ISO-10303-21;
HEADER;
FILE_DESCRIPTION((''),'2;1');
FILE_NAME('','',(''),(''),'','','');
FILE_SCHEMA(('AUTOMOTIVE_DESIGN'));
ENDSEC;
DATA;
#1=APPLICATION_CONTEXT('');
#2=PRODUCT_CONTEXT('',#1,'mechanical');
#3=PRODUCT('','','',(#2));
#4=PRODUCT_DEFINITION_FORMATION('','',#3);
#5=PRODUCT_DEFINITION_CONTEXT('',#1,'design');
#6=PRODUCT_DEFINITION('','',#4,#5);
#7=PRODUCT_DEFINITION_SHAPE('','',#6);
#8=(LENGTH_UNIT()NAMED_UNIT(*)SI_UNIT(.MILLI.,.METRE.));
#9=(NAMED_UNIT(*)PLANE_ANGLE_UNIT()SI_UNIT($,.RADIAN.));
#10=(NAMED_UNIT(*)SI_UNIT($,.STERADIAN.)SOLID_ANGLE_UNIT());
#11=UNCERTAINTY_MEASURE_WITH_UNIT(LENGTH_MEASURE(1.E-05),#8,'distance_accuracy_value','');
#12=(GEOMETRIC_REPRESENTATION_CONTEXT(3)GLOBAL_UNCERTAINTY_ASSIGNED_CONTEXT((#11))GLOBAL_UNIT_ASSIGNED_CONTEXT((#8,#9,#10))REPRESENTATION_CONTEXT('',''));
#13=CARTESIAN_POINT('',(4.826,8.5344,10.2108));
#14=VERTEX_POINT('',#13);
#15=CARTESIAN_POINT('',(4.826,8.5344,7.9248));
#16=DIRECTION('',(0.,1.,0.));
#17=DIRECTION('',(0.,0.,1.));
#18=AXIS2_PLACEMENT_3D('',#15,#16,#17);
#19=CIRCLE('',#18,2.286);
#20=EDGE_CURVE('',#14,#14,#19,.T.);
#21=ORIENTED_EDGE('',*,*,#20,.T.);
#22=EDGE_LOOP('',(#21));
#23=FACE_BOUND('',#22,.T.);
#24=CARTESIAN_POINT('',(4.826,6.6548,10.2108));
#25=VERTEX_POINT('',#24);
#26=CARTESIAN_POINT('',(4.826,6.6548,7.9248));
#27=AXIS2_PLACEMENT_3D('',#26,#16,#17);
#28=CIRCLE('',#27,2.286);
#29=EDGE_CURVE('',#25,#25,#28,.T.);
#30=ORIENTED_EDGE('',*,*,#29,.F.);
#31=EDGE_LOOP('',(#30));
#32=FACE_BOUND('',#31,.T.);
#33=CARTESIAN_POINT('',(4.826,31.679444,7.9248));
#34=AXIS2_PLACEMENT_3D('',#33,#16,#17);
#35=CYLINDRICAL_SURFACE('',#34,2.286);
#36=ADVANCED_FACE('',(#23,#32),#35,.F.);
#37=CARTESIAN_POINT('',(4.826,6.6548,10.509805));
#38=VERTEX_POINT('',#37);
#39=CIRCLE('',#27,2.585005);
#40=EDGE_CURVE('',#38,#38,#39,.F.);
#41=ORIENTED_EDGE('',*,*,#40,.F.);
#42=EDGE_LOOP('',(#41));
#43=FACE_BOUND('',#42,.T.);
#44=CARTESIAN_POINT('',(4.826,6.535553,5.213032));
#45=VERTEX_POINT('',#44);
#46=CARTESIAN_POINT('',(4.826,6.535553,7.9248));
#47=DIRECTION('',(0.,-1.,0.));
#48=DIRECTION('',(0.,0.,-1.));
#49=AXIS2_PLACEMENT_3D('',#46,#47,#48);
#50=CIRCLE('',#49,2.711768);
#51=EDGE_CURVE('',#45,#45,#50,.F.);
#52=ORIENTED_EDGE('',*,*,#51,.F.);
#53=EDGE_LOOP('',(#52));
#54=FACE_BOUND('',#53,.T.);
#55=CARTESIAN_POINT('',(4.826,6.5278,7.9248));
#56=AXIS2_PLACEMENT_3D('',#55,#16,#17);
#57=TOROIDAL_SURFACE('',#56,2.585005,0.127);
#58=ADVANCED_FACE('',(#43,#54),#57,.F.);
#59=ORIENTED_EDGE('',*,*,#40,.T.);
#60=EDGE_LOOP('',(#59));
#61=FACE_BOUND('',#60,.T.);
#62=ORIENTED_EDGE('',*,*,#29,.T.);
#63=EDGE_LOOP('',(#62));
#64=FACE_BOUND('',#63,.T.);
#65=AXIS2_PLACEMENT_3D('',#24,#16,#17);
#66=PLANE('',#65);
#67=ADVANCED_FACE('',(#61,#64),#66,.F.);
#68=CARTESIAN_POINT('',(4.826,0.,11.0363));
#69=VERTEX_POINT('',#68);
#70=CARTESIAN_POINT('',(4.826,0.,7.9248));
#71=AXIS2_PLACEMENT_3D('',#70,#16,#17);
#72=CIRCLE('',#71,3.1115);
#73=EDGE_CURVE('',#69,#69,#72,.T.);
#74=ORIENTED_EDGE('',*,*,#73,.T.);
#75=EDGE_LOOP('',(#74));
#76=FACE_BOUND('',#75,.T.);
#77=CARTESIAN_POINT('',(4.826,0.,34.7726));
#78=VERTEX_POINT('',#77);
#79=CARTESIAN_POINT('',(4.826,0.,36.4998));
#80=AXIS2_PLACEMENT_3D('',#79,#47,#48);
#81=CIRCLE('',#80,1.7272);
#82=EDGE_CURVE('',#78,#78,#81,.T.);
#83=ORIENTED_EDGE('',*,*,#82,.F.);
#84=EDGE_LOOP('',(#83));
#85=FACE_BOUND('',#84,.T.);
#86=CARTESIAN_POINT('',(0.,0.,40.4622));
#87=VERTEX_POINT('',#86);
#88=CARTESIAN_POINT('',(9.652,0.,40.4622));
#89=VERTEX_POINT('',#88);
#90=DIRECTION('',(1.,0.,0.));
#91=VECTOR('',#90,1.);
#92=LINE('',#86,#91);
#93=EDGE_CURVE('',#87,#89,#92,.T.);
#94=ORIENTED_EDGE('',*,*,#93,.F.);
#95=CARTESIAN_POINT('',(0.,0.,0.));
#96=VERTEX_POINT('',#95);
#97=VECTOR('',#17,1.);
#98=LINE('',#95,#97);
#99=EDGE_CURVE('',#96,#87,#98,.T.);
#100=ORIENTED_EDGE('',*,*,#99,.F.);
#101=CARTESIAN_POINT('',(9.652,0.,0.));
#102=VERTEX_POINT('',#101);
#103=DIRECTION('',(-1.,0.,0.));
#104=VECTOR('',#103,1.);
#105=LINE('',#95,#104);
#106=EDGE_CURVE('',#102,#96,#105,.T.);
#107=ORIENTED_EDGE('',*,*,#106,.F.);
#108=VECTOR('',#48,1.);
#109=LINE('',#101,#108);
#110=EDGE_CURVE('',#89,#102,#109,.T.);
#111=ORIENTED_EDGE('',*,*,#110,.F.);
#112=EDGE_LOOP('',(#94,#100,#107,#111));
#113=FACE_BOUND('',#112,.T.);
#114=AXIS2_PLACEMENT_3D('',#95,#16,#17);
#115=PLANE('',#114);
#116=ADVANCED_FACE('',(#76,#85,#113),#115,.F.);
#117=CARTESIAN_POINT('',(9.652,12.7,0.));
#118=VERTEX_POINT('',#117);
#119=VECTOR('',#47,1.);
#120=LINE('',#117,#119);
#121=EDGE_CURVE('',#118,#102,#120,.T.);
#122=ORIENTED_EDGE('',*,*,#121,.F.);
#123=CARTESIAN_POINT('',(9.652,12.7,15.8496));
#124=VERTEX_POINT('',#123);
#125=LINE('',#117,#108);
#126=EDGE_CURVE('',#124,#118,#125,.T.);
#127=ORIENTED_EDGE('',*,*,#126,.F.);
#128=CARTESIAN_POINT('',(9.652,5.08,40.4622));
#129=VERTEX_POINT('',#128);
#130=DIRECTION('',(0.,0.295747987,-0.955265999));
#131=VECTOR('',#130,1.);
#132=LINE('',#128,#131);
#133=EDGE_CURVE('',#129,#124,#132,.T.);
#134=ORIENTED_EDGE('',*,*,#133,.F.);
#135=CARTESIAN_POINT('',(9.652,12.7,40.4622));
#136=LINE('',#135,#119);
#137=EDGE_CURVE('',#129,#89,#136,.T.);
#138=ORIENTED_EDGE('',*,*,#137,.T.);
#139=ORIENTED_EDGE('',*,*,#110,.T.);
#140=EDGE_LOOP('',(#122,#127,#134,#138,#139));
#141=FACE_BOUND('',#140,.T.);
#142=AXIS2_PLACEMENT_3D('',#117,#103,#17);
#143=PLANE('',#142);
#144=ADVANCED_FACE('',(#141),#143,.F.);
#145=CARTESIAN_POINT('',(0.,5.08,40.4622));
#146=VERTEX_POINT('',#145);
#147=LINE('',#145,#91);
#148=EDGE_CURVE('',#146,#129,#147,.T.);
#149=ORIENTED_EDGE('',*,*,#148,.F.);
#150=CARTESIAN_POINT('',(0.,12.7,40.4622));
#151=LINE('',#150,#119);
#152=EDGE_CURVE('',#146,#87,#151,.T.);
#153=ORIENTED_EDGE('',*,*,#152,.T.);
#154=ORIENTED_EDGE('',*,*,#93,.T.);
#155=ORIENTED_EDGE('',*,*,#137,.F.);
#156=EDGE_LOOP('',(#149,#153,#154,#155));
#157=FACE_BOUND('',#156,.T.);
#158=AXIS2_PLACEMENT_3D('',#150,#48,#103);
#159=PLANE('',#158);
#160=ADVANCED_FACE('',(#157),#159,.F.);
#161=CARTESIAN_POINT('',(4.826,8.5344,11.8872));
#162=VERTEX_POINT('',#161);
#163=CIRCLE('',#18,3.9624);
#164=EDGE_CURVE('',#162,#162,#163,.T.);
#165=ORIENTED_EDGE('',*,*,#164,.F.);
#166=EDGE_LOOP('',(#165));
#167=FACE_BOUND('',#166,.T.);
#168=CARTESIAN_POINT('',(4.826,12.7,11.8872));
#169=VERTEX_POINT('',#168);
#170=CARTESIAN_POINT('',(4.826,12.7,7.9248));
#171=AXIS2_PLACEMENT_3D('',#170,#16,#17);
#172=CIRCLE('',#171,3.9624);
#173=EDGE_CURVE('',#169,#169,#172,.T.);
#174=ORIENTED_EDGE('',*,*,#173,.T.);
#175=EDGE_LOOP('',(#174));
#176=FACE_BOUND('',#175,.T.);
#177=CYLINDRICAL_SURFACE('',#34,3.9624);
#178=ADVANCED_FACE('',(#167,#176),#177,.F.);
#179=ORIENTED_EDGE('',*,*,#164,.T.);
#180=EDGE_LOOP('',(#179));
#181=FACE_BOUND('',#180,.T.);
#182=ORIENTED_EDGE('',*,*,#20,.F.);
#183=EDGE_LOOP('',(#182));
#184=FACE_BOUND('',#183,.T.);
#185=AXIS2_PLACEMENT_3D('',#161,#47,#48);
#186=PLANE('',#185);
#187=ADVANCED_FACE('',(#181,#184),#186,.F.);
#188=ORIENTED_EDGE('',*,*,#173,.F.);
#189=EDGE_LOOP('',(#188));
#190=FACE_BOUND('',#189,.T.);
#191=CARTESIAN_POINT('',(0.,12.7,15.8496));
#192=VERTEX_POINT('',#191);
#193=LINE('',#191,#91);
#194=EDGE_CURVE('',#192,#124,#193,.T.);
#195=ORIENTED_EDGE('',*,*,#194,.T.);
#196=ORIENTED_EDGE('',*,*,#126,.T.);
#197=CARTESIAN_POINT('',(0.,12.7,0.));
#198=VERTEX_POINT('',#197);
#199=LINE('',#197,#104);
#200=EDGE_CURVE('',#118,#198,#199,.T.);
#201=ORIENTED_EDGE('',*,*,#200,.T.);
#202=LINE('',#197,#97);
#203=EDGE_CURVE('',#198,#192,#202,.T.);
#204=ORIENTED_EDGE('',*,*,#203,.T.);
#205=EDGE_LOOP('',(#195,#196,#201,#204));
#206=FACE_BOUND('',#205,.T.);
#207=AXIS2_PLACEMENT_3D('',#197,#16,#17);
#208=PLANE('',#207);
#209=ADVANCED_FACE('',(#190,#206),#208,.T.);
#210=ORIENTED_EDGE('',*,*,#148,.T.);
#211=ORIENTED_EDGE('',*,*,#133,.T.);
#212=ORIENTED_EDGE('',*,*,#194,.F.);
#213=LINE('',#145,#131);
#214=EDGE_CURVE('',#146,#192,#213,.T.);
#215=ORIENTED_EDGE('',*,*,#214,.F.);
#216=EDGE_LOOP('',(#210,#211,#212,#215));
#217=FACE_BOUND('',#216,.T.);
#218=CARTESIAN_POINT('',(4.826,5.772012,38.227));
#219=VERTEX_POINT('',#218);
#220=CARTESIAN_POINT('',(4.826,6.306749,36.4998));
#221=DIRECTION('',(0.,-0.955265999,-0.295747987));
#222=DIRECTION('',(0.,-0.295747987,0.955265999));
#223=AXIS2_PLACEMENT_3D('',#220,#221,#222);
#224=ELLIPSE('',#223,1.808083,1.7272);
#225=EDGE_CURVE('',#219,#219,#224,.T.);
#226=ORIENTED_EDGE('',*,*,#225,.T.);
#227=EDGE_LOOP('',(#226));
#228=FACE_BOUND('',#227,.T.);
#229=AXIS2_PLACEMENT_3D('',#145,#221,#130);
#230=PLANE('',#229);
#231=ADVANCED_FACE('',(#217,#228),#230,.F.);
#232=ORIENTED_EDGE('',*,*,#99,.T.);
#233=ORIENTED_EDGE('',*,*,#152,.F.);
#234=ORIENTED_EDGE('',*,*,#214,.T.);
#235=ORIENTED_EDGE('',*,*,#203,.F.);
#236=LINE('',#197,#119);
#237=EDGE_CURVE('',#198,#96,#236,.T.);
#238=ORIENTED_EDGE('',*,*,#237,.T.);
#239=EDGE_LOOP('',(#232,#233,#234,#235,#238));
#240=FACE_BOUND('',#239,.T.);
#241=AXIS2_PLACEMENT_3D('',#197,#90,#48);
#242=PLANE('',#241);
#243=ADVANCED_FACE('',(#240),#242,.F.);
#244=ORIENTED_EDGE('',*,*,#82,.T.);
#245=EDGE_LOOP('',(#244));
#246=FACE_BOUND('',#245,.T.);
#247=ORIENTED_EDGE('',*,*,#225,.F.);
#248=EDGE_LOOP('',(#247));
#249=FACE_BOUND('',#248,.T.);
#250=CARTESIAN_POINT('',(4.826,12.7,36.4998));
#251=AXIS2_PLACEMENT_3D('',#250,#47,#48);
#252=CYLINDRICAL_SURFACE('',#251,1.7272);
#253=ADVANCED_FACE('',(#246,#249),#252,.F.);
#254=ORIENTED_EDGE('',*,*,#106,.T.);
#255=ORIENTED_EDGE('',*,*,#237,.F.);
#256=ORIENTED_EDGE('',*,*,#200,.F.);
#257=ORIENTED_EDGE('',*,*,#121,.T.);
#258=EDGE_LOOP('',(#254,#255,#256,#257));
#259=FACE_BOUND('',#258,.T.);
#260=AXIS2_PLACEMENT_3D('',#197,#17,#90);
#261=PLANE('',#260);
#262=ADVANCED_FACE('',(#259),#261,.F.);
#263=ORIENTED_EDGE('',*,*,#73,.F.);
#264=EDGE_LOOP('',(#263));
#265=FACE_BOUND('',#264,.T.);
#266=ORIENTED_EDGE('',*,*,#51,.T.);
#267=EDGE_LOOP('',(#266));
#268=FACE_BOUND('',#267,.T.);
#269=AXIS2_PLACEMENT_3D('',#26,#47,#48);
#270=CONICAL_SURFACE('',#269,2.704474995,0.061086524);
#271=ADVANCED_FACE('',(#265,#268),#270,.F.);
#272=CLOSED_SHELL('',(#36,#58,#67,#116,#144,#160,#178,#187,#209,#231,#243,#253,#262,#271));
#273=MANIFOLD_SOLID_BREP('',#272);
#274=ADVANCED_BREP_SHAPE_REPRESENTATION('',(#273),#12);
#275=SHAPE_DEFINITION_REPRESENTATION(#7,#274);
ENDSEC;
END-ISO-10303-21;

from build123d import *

# Parameters (mm, degrees)
SKETCH1_W          = 9.652
SKETCH1_H          = 40.4622
EXTRUDE1_DEPTH     = 12.7
FILLET1_R          = 0.127
CUT_EXTRUDE1_DEPTH = 10.652
SKETCH5_R          = 1.7272
CUT_EXTRUDE2_DEPTH = 13.7


with BuildPart() as part:
    # Sketch1 → Extrude1 (new body)
    with BuildSketch(Plane(origin=(0, 0, 0), x_dir=(1, 0, 0), z_dir=(0, 1, 0))):
        with Locations((4.826, -20.2311)):
            Rectangle(SKETCH1_W, SKETCH1_H)
    extrude(amount=EXTRUDE1_DEPTH)

    # Sketch3 → Cut-Revolve1 (revolve, cut)
    with BuildSketch(Plane(origin=(4.826, 0, 0), x_dir=(0, 0, -1), z_dir=(1, 0, 0))):
        Polygon((-11.8872, 12.7), (-11.8872, 8.5344), (-10.2108, 8.5344), (-10.2108, 6.6548), (-10.629274995, 6.6548), (-11.0363, 0), (-7.9248, 0), (-7.9248, 12.7), align=None)
    revolve(axis=Axis((4.826, 31.679444444, 7.9248), (0, -1, 0)), mode=Mode.SUBTRACT)

    # Fillet1
    fillet1_edges = [part.edges().sort_by_distance(p)[0] for p in [
        (4.826, 6.6548, 5.220325005),
    ]]
    fillet(fillet1_edges, radius=FILLET1_R)

    # Sketch4 → Cut-Extrude1 (cut, through all)
    with BuildSketch(Plane(origin=(9.652, 0, 0), x_dir=(0, 0, -1), z_dir=(1, 0, 0))):
        Polygon((-40.4622, 5.08), (-40.4622, 12.7), (-15.8496, 12.7), align=None)
    extrude(amount=-CUT_EXTRUDE1_DEPTH, mode=Mode.SUBTRACT)

    # Sketch5 → Cut-Extrude2 (cut, through all)
    with BuildSketch(Plane.XZ):
        with Locations(Location((4.826, 36.4998, 0), (0, 0, 270))):  # turned: the seam where the file's is
            Circle(SKETCH5_R)
    extrude(amount=-CUT_EXTRUDE2_DEPTH, mode=Mode.SUBTRACT)


solid = part.part
